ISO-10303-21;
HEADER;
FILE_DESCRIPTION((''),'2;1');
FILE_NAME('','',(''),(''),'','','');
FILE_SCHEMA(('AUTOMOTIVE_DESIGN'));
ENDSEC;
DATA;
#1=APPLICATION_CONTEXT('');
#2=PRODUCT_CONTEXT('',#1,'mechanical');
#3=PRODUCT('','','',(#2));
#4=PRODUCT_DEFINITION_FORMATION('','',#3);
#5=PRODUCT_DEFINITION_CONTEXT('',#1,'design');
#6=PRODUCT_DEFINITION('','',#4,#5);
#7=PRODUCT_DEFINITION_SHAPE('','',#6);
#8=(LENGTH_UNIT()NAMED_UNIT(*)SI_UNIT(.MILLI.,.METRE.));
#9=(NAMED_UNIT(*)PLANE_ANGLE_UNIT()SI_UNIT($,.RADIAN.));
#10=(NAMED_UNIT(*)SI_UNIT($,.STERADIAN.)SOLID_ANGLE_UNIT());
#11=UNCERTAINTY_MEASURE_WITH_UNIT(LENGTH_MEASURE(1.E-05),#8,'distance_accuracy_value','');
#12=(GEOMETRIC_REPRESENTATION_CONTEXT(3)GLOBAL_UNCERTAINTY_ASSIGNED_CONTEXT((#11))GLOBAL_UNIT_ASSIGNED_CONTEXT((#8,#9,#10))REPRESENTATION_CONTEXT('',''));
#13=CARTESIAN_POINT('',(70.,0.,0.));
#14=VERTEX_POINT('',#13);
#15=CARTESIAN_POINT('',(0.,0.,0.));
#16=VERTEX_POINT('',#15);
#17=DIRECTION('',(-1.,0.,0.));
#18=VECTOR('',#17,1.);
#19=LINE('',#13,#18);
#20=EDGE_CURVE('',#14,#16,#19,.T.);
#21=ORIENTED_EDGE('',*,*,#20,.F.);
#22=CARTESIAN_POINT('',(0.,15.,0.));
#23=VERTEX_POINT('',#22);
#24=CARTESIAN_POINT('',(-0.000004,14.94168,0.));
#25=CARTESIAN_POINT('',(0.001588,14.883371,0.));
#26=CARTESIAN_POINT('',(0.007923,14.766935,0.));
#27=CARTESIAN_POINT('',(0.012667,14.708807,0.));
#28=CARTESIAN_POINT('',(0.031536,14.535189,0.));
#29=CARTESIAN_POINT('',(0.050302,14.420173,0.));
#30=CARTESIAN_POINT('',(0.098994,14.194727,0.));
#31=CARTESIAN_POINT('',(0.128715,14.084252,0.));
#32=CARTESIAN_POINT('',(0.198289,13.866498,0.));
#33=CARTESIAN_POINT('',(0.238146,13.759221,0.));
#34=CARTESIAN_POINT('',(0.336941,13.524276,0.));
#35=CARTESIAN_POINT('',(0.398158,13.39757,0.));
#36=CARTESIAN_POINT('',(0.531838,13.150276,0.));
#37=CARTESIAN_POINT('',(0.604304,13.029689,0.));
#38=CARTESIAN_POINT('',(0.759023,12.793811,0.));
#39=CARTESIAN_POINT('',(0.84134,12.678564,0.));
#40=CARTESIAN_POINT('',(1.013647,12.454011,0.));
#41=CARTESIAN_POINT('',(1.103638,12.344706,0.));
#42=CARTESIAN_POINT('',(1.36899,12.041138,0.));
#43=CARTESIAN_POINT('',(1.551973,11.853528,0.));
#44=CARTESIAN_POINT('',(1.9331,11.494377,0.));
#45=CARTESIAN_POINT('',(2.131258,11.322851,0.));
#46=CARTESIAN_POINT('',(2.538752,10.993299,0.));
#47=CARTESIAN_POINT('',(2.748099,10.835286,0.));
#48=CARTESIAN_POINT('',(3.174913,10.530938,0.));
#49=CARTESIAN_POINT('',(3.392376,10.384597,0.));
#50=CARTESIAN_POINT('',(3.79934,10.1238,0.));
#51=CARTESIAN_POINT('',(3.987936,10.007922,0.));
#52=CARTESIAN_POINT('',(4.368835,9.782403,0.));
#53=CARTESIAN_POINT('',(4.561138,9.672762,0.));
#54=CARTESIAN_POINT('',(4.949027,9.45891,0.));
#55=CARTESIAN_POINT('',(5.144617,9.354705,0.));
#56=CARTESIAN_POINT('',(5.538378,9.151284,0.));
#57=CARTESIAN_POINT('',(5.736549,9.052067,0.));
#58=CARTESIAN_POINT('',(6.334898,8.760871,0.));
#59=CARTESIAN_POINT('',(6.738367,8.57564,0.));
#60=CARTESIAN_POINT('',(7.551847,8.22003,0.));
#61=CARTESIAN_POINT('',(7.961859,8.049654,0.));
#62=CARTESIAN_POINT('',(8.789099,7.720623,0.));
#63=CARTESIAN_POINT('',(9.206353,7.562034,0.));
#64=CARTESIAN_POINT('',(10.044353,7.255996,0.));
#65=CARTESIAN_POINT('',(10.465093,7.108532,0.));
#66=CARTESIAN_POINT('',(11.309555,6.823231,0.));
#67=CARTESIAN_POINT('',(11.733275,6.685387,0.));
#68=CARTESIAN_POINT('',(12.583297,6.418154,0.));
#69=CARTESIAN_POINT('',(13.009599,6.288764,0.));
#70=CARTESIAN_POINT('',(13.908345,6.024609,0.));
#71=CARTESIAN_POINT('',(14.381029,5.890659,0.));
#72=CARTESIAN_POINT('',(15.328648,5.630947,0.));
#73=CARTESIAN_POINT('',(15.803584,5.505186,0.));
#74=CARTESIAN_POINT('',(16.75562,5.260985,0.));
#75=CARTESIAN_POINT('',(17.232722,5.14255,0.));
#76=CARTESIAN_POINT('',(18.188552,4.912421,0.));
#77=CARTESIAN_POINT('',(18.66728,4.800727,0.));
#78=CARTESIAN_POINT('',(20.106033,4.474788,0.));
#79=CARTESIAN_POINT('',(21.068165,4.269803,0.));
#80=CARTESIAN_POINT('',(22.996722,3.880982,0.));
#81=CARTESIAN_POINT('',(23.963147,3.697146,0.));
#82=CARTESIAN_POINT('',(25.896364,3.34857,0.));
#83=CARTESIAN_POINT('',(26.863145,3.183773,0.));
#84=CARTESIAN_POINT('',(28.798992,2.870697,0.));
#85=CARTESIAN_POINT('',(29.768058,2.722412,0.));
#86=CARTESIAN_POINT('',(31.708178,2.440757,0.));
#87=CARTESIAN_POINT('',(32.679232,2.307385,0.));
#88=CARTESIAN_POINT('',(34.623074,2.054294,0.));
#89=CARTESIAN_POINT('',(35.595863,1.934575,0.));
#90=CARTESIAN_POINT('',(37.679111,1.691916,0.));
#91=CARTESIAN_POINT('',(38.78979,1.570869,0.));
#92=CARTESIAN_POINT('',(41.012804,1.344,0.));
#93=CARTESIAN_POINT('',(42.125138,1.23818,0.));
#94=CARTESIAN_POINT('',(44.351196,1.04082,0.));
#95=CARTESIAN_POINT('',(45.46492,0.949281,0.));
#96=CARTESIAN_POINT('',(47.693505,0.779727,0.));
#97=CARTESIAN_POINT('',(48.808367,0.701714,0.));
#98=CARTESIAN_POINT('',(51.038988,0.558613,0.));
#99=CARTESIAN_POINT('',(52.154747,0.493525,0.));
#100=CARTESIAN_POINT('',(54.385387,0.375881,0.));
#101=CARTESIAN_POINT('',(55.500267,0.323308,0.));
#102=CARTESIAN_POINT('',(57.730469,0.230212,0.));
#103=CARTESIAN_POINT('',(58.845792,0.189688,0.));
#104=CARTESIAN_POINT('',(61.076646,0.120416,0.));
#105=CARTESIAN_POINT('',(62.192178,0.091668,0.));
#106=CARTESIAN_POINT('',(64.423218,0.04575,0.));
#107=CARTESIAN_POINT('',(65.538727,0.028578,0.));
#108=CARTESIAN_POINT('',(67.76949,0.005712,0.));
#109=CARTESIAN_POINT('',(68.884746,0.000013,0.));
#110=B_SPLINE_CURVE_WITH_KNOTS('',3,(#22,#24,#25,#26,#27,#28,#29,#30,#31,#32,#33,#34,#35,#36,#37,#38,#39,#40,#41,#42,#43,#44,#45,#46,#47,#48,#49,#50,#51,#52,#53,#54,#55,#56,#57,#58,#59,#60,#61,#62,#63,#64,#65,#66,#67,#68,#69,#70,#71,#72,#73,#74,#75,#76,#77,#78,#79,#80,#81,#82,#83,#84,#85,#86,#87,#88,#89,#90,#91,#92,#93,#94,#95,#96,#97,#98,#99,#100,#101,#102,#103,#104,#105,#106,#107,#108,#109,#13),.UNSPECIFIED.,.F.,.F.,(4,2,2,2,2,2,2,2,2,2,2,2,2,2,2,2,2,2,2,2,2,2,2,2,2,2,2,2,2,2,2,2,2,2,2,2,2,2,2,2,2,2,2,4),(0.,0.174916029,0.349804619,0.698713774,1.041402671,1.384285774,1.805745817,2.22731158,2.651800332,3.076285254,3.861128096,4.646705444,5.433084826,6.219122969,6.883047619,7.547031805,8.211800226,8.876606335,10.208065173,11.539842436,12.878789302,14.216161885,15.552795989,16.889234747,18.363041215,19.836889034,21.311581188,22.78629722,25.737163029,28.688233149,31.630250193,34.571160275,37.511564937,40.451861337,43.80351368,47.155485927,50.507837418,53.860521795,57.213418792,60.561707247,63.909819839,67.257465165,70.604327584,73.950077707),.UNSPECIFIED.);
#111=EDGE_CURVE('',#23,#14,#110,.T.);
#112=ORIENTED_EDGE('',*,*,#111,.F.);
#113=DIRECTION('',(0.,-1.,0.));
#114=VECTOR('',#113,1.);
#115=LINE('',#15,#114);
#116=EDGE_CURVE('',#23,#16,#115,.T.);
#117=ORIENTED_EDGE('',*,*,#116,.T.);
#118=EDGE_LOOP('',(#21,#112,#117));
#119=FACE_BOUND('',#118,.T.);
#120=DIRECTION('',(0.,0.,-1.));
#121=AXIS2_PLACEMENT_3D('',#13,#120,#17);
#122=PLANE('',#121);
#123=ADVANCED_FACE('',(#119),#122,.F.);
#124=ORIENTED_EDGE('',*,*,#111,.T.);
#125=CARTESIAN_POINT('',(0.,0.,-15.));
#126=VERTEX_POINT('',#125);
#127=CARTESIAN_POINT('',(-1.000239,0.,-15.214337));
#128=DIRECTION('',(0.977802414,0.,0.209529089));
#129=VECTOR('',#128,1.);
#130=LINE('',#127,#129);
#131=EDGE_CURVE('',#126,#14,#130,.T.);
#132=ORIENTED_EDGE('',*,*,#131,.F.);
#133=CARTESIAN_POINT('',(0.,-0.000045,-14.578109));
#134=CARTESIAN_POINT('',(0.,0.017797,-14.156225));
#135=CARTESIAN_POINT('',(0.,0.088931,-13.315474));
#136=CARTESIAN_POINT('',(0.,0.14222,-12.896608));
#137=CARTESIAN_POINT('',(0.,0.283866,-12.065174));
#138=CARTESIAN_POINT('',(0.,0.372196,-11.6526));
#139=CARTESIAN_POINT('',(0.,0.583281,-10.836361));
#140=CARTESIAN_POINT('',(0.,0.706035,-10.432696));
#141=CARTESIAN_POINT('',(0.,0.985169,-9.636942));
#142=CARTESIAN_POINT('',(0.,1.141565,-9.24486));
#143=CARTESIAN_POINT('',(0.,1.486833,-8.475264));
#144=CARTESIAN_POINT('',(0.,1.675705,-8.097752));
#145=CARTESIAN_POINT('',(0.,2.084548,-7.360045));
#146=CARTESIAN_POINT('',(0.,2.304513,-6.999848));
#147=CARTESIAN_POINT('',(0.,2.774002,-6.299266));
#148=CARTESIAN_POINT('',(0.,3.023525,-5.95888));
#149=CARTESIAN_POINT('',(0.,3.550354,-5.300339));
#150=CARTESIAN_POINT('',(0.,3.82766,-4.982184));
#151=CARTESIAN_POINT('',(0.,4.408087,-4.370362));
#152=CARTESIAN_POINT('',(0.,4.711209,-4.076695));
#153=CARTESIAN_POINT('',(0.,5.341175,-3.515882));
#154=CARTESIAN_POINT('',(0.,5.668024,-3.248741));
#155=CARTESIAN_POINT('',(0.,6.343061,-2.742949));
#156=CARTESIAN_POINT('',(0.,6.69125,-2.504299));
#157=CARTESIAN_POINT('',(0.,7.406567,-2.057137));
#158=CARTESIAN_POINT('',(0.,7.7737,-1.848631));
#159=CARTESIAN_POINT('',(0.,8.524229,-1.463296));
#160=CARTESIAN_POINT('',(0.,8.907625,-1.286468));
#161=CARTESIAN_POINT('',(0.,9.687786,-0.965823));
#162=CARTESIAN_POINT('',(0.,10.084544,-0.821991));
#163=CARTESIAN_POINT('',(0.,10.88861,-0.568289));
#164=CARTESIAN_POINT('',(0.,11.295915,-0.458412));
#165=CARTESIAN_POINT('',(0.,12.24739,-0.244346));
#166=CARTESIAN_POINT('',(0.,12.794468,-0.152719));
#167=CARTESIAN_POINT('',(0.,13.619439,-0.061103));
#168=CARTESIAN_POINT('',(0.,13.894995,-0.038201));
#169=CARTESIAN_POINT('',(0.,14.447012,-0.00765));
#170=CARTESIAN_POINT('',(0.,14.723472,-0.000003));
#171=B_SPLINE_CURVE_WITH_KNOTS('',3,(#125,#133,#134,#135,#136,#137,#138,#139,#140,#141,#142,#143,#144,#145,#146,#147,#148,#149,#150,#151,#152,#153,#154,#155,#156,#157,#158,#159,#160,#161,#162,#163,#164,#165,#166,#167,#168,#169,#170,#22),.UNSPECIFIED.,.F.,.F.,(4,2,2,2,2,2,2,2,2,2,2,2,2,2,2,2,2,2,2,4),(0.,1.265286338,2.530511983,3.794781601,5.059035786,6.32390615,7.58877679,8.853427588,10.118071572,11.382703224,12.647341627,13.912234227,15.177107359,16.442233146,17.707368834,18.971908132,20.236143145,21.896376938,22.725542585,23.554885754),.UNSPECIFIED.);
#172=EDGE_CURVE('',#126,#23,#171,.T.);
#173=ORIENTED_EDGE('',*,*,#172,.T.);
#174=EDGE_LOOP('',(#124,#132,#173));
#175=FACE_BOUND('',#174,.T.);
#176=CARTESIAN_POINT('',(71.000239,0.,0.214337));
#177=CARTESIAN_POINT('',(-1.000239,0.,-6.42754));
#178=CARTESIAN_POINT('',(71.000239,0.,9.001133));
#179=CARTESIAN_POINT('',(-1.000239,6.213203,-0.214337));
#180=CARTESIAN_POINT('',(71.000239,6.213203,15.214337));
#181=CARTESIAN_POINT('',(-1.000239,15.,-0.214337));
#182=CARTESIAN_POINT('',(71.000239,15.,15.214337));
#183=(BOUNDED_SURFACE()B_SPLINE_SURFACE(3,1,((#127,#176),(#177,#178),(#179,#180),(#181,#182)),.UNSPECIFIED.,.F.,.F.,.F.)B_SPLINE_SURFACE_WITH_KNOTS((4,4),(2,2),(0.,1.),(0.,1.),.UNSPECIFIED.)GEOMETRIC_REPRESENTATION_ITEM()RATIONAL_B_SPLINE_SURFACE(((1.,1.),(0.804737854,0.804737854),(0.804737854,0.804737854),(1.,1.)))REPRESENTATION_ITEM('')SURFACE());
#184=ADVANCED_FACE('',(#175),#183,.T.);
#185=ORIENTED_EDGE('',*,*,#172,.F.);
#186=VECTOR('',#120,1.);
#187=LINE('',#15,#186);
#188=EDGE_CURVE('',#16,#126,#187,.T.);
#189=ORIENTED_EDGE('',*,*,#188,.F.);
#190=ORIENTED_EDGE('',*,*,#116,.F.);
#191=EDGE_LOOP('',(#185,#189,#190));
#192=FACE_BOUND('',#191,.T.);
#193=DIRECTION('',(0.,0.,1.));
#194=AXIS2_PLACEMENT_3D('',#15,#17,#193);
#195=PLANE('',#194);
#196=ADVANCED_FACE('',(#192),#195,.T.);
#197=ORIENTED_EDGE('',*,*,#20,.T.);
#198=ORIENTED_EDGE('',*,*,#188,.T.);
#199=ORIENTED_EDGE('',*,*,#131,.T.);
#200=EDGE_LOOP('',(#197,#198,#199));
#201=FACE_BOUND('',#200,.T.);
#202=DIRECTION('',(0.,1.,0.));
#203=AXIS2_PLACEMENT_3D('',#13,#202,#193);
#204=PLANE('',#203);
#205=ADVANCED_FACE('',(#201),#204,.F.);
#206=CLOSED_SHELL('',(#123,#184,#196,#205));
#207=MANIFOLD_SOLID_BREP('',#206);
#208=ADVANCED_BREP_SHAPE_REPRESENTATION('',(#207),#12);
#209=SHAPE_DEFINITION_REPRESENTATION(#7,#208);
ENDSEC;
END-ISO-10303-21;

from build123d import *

# Parameters (mm, degrees)
ESQUISSE1_W        = 15
ESQUISSE1_H        = 15
BOSS_EXTRU_1_DEPTH = 70


with BuildPart() as part:
    # Esquisse1 → Boss.-Extru.1 (new body)
    with BuildSketch(Plane(origin=(0, 0, 0), x_dir=(0, 0, -1), z_dir=(1, 0, 0))):
        with Locations((7.5, 7.5)):
            Rectangle(ESQUISSE1_W, ESQUISSE1_H)
    extrude(amount=BOSS_EXTRU_1_DEPTH)

    # Enlèvement de matière-Balayage2: sweep along a curve in space
    with BuildLine() as enl_vement_de_mati_re_balayage2_path:
        Line((0, 0, -15), (70, 0, 0))
    # Esquisse2 → Enlèvement de matière-Balayage2 (sweep, cut)
    with BuildSketch(Plane.ZY):
        with BuildLine():
            ThreePointArc((-15, 0), (-4.393398282, 4.393398282), (0, 15))
            Line((0, 15), (-15, 15))
            Line((-15, 15), (-15, 0))
        make_face()
    sweep(path=enl_vement_de_mati_re_balayage2_path.line, mode=Mode.SUBTRACT)


with BuildPart() as enl_vement_de_mati_re_balayage2_kept_pie:
    # of the separate pieces the step leaves, the one the design keeps (enl_vement_de_mati_re_balayage2_pieces_k)
    add(part.part.solids().sort_by_distance((0, 0, 0))[0])


solid = enl_vement_de_mati_re_balayage2_kept_pie.part
